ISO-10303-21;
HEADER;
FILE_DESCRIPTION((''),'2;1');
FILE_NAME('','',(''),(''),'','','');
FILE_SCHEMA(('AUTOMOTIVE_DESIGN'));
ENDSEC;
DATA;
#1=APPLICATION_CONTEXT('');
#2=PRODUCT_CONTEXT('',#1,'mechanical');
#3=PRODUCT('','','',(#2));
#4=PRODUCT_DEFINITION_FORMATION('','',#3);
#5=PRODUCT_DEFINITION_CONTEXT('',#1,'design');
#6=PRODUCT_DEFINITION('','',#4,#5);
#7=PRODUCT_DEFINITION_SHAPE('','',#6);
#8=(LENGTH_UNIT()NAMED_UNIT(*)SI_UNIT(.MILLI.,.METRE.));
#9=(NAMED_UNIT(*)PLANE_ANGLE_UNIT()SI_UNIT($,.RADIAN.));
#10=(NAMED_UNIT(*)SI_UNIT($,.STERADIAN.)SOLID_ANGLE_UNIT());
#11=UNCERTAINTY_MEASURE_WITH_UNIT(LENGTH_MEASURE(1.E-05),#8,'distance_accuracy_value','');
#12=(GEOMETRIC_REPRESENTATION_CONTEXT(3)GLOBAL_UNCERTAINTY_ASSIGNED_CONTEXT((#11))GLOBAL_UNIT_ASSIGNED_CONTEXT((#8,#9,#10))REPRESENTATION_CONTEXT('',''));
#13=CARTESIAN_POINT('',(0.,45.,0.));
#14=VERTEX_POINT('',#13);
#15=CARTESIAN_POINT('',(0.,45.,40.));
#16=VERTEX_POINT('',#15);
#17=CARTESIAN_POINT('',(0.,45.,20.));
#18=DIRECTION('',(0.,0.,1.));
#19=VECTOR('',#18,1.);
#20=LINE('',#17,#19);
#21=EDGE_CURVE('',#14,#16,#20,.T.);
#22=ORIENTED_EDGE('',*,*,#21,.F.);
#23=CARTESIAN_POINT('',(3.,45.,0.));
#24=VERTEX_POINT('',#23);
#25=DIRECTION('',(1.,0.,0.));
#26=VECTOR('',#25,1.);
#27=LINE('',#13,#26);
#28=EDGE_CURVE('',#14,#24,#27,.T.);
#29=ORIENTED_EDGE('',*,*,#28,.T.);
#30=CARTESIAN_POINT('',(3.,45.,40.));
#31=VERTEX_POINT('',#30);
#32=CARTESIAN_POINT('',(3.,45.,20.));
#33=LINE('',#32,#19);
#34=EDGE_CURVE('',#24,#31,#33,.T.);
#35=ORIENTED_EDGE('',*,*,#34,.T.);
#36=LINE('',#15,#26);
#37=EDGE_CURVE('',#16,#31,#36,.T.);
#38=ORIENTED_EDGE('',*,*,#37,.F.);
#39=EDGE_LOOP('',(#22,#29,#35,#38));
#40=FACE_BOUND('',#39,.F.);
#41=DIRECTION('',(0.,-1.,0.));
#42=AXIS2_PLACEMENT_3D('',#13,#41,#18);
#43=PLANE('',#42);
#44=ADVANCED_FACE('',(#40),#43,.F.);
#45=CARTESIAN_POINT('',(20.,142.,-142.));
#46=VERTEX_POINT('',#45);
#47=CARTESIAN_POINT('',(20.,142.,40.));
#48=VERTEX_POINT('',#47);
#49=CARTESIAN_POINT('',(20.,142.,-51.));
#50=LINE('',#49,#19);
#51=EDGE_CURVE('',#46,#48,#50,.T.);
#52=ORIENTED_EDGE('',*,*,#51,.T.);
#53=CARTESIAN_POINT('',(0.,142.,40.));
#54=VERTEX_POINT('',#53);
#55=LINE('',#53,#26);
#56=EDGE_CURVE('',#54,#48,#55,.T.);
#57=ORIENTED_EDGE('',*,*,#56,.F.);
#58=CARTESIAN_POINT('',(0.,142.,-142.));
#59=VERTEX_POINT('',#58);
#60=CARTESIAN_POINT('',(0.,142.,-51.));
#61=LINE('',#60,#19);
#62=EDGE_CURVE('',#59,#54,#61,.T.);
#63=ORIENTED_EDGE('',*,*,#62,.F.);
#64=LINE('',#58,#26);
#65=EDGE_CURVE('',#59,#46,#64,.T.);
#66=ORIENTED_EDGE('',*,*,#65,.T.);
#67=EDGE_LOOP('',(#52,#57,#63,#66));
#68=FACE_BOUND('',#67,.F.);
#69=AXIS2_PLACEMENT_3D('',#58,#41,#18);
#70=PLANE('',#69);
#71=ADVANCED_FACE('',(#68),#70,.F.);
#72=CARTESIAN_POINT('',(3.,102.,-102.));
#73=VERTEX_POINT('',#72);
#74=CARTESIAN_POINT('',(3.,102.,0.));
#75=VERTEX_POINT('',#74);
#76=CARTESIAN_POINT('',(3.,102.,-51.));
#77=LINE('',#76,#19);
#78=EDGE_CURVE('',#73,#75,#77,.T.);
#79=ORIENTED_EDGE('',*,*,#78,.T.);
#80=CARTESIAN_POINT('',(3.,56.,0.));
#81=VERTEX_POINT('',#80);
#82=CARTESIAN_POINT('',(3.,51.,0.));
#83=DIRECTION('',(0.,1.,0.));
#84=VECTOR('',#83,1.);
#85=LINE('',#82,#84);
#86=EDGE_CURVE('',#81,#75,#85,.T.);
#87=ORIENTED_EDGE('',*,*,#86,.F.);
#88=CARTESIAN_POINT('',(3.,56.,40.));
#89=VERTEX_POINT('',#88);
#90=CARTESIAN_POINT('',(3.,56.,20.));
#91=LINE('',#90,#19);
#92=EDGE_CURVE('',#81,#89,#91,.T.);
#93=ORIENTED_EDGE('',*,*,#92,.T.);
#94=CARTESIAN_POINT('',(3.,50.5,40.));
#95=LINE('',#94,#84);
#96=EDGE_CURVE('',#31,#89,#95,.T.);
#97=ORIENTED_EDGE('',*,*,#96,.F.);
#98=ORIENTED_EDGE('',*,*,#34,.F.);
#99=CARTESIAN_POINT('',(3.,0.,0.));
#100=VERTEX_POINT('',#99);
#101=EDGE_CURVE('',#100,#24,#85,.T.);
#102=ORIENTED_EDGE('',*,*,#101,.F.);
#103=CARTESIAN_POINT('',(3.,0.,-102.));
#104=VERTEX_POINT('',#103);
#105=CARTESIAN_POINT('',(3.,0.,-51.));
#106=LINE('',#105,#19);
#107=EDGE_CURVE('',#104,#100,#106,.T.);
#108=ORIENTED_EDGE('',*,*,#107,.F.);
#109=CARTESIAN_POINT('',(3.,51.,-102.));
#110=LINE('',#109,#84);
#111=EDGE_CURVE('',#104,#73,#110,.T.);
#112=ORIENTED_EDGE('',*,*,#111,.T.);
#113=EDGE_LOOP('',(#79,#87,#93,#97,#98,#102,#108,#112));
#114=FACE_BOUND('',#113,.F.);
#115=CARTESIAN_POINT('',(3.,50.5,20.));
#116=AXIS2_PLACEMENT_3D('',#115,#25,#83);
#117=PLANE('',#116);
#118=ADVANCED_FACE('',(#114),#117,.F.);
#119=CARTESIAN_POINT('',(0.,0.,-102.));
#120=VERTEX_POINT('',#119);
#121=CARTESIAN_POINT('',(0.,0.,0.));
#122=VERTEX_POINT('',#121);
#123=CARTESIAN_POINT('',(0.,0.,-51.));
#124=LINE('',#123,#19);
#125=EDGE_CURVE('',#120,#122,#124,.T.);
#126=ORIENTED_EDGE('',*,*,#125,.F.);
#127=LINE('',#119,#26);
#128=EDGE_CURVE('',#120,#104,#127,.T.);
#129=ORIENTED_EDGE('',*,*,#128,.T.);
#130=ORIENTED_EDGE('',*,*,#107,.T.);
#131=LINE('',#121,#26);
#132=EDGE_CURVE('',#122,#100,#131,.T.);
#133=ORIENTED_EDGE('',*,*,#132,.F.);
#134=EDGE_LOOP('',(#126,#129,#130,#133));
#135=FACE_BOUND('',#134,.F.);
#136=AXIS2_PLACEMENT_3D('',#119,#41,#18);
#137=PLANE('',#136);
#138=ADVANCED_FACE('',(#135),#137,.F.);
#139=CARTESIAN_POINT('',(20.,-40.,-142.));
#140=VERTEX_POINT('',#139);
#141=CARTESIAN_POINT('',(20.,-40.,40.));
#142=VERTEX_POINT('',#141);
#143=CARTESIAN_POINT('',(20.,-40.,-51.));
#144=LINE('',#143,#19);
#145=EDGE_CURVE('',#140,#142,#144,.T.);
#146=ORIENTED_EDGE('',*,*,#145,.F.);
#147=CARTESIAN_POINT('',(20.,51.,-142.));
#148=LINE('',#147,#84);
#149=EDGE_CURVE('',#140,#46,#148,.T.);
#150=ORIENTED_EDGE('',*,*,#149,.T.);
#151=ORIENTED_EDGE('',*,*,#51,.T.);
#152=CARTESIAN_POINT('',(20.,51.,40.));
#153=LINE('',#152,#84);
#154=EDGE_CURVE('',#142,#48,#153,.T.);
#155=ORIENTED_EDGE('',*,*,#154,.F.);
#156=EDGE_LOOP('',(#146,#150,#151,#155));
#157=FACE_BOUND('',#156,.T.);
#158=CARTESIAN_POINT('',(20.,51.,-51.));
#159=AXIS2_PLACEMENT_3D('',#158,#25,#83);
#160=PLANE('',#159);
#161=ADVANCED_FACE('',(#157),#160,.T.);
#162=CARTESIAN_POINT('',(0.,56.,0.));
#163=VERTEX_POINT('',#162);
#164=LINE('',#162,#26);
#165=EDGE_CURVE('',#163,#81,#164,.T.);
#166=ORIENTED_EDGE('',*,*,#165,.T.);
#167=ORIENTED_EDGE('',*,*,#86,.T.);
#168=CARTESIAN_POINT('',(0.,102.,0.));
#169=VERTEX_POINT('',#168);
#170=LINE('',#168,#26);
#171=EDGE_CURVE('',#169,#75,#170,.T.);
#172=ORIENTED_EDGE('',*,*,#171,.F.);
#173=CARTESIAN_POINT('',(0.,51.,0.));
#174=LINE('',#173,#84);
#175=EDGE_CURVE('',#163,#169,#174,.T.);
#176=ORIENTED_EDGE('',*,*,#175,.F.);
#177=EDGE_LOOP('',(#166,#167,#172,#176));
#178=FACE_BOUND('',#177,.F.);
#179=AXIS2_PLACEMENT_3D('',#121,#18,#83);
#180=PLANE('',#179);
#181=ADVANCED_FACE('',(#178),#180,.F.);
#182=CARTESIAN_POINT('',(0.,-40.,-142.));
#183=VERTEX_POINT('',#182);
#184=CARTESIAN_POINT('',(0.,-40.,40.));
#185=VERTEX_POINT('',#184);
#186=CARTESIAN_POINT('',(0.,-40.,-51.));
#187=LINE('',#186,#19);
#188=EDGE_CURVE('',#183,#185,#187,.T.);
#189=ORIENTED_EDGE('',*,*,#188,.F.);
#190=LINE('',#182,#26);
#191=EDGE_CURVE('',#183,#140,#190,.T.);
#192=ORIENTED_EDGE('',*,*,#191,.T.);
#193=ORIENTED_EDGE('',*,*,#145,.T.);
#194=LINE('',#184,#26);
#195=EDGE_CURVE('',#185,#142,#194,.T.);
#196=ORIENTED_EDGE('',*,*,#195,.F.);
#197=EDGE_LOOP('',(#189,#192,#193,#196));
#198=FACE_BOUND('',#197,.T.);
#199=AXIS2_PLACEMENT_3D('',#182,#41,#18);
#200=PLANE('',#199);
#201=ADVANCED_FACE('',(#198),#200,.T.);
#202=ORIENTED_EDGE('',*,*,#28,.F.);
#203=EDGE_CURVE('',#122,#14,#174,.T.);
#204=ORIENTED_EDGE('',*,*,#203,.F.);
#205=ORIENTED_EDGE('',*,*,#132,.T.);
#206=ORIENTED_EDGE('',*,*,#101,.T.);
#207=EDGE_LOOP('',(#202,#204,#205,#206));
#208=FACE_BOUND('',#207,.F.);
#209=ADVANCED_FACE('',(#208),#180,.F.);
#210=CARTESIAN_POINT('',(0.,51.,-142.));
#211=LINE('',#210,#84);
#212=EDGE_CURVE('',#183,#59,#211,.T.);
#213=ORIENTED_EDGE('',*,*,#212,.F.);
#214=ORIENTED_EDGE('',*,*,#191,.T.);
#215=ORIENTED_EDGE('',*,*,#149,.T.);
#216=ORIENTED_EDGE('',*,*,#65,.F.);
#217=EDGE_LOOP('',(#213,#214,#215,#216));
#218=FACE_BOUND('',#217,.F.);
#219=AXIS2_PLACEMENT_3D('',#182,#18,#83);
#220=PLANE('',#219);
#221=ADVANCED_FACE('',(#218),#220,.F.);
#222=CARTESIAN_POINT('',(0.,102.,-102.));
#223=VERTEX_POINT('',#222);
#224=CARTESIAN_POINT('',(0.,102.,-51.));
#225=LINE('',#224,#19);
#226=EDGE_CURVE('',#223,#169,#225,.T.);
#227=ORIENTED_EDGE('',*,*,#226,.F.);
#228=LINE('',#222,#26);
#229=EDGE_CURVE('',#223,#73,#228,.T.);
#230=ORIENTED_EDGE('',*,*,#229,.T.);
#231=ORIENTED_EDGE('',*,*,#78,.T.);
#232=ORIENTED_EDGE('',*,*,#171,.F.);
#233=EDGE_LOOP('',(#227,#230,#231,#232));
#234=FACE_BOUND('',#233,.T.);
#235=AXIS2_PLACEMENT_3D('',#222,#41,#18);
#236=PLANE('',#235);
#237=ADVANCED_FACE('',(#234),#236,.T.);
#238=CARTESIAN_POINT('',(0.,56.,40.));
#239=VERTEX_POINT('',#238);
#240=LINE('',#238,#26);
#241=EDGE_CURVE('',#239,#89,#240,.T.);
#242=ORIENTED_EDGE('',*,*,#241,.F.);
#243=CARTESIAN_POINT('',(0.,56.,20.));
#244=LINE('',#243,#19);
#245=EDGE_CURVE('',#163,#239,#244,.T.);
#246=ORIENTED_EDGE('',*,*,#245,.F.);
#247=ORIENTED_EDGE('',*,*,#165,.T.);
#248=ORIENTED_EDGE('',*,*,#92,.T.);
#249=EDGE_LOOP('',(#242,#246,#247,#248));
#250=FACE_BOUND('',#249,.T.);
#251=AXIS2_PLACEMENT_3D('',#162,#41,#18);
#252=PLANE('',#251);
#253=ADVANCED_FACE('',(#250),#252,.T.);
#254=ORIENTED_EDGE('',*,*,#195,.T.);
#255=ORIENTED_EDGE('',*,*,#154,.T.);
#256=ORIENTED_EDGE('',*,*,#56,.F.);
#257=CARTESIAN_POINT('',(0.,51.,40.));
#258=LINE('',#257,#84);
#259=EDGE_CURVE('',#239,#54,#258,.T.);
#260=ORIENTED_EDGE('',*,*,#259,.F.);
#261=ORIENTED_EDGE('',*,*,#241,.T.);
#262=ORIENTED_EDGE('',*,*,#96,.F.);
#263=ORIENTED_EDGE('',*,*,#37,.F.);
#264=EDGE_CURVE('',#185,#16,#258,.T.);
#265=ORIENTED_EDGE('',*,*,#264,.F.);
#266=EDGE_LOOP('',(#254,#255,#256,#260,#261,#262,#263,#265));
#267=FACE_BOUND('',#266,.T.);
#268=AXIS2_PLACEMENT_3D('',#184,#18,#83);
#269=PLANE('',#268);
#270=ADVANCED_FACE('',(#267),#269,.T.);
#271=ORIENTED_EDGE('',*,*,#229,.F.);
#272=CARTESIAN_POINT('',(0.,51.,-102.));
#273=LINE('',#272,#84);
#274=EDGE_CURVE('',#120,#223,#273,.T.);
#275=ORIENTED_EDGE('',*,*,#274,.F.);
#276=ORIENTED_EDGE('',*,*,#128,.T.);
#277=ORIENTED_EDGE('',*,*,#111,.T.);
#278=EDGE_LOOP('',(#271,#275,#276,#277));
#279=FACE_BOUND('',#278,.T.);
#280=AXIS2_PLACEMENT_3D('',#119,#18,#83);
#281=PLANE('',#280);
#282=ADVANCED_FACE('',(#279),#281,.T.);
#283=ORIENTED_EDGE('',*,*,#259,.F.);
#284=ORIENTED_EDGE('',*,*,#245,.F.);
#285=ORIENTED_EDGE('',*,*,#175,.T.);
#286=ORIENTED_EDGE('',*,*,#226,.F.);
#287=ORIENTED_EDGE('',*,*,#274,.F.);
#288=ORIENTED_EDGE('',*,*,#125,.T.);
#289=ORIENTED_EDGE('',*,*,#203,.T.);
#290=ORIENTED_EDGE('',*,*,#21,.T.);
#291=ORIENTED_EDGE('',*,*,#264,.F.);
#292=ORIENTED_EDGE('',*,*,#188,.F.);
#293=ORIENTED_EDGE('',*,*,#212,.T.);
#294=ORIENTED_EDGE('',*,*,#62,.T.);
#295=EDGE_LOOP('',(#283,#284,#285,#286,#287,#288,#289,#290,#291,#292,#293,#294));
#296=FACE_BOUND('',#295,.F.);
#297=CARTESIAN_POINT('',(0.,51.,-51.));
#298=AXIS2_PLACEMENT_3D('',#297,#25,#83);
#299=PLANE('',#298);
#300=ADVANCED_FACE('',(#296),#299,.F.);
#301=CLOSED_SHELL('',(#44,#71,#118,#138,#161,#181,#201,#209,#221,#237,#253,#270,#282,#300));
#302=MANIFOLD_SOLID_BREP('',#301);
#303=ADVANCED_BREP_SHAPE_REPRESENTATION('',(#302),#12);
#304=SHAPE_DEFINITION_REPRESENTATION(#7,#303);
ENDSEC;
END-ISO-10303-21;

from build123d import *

# Parameters (mm, degrees)
F0_W     = 182
F0_H     = 182
F0_W_2   = 102
F0_H_2   = 102
F1_DEPTH = 20
F2_DEPTH = 3
F3_W     = 11
F3_H     = 40
F4_DEPTH = 3


with BuildPart() as f1:
    # F0 (on Right) → F1 (new body)
    with BuildSketch(Plane.YZ):
        with Locations((51, -51)):
            Rectangle(F0_W, F0_H)
        with Locations((51, -51)):
            Rectangle(F0_W_2, F0_H_2, mode=Mode.SUBTRACT)
        with Locations((51, -51)):
            Rectangle(F0_W_2, F0_H_2)
    extrude(amount=F1_DEPTH)

    # F0 (on Right) → F2 (cut)
    with BuildSketch(Plane.YZ):
        with Locations((51, -51)):
            Rectangle(F0_W_2, F0_H_2)
    extrude(amount=F2_DEPTH, mode=Mode.SUBTRACT)

    # F3 (on face) → F4 (cut)
    with BuildSketch(Plane.YZ):
        with Locations((50.5, 20)):
            Rectangle(F3_W, F3_H)
    extrude(amount=F4_DEPTH, mode=Mode.SUBTRACT)


solid = f1.part
